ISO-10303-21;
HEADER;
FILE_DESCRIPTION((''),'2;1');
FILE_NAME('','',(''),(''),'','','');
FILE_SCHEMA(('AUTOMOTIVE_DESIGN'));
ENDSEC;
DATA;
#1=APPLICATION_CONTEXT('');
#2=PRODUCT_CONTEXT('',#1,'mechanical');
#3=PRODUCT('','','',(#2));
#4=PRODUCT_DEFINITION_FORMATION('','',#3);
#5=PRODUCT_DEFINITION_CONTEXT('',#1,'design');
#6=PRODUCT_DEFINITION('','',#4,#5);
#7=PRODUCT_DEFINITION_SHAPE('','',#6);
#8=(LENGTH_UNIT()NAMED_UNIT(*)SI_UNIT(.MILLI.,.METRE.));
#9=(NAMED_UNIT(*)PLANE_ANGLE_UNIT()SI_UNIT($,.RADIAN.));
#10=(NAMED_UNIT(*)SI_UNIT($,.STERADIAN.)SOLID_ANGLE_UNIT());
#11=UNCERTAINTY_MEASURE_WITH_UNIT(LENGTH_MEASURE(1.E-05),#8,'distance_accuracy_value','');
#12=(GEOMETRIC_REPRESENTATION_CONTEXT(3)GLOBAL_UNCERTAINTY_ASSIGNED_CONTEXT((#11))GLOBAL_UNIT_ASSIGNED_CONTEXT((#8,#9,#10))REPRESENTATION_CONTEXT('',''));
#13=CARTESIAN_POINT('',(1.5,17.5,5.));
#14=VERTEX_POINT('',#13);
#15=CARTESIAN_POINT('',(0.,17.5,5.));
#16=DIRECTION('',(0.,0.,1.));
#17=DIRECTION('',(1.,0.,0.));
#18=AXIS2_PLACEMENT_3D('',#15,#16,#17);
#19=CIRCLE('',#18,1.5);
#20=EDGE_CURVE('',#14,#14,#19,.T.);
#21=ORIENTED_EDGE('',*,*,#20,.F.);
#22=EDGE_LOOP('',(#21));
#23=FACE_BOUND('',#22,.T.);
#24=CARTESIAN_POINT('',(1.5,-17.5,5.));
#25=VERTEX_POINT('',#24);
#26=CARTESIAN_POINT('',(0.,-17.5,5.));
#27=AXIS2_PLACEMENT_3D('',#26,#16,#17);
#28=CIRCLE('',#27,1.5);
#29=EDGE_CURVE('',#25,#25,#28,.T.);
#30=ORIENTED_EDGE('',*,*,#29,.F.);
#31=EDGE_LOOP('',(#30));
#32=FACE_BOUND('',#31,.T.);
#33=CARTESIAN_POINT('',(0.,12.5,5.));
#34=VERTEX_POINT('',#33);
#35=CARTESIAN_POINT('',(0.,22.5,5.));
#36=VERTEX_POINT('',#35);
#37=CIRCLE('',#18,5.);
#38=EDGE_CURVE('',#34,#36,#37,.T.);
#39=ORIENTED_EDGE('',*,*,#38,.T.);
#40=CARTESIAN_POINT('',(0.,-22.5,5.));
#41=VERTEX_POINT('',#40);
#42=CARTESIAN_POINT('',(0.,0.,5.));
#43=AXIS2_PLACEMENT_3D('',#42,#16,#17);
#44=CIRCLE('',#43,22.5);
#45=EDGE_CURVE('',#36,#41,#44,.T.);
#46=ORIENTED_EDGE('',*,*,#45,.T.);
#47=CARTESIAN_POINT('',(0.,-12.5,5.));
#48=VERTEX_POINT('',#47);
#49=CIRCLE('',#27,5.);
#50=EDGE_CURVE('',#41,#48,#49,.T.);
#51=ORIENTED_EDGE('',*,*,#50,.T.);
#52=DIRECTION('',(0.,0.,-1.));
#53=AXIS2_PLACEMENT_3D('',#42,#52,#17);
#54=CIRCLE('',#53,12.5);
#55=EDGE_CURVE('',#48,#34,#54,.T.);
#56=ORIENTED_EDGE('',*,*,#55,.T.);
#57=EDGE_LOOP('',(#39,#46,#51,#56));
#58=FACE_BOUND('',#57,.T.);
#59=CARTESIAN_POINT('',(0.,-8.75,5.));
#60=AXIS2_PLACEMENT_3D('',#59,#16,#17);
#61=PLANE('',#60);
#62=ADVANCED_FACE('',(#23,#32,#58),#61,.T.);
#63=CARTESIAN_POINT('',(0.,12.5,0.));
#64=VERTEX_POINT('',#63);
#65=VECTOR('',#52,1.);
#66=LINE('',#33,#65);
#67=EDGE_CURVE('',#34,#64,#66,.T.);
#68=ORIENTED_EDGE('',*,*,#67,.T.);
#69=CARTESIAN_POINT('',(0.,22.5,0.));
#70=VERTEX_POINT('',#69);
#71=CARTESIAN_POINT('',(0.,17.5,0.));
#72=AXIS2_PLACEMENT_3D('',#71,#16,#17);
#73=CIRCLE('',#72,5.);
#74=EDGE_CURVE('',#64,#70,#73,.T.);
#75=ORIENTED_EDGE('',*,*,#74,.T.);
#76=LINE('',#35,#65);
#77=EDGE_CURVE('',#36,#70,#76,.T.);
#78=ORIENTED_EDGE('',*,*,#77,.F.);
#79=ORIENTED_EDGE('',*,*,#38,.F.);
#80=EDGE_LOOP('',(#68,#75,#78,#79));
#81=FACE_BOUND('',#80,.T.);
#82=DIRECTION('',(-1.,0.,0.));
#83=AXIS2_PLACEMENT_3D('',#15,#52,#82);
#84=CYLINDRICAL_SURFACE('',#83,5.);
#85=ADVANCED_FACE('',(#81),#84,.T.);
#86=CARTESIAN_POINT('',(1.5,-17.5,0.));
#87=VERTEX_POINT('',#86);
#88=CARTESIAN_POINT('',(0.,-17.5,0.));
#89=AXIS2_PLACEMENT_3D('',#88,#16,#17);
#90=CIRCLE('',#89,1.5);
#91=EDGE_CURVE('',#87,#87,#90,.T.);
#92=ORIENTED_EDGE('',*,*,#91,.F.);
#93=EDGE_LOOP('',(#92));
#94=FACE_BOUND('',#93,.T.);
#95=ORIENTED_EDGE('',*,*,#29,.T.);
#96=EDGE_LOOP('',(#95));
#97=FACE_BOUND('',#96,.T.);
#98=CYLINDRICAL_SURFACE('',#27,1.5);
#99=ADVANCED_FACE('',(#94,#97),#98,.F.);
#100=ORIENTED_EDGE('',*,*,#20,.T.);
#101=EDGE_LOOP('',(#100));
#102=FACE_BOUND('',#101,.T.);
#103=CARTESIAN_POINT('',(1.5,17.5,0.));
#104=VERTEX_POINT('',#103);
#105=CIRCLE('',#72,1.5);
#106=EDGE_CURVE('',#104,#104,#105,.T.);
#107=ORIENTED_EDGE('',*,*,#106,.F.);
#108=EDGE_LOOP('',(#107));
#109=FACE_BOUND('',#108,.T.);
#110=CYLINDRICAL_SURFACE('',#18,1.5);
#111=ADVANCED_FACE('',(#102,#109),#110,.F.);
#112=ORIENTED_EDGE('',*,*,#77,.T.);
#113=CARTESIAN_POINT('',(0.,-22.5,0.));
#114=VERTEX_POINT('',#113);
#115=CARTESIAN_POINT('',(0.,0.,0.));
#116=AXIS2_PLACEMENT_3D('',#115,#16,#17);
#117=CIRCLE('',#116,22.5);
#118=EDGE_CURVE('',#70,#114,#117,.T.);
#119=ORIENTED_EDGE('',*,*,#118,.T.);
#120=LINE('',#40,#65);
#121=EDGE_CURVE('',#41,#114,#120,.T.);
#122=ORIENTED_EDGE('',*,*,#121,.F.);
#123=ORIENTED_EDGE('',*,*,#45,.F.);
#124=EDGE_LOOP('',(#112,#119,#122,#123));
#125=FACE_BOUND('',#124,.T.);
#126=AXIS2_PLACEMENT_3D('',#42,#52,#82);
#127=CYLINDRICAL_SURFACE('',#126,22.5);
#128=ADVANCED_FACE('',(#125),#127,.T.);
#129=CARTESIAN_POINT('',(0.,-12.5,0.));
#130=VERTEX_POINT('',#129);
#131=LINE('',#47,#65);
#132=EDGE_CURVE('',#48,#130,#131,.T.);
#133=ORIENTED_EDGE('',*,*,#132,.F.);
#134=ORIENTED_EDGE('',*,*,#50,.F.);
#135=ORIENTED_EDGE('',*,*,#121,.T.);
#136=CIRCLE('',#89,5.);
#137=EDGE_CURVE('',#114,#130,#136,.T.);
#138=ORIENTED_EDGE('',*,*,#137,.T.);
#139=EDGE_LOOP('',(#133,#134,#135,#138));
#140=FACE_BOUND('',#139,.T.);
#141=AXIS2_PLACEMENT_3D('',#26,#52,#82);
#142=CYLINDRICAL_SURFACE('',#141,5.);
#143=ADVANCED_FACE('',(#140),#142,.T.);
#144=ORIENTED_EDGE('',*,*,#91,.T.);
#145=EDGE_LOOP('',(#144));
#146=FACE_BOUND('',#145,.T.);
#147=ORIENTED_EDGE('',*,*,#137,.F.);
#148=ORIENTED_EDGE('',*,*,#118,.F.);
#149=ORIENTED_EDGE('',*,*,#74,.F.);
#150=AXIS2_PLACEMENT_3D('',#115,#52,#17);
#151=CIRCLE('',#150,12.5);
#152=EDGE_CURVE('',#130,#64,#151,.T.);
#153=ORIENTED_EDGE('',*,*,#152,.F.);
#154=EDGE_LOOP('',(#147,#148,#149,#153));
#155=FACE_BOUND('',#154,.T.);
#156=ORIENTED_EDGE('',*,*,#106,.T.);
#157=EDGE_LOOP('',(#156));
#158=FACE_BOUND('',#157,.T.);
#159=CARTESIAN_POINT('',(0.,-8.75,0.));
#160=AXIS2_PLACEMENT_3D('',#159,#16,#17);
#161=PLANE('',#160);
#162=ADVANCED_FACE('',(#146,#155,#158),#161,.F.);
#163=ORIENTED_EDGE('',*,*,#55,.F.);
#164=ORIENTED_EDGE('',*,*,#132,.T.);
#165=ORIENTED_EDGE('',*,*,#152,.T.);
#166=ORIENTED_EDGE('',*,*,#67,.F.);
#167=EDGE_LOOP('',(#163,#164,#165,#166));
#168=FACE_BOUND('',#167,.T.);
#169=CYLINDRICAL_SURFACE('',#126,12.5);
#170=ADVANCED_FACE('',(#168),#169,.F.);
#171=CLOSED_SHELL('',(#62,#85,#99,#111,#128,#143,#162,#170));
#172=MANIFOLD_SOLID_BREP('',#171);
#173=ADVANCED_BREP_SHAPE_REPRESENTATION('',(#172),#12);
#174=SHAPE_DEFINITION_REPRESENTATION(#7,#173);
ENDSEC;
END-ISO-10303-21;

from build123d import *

# Parameters (mm, degrees)
BOSS_EXTRUDE1_DEPTH   = 5
F_3_0MM_DOWEL_HOLE1_D = 3


with BuildPart() as part:
    # Sketch1 → Boss-Extrude1 (new body)
    with BuildSketch(Plane.XY):
        with BuildLine():
            ThreePointArc((0, 22.5), (-22.5, 0), (0, -22.5))
            ThreePointArc((0, -22.5), (5, -17.5), (0, -12.5))
            ThreePointArc((0, -12.5), (-12.5, 0), (0, 12.5))
            ThreePointArc((0, 12.5), (5, 17.5), (0, 22.5))
        make_face()
    extrude(amount=BOSS_EXTRUDE1_DEPTH)

    # Ø3.0mm Dowel Hole1 (through all)
    with Locations(Plane.XY.offset(5)):
        with Locations((0, 17.5), (0, -17.5)):
            Hole(F_3_0MM_DOWEL_HOLE1_D / 2)


solid = part.part
